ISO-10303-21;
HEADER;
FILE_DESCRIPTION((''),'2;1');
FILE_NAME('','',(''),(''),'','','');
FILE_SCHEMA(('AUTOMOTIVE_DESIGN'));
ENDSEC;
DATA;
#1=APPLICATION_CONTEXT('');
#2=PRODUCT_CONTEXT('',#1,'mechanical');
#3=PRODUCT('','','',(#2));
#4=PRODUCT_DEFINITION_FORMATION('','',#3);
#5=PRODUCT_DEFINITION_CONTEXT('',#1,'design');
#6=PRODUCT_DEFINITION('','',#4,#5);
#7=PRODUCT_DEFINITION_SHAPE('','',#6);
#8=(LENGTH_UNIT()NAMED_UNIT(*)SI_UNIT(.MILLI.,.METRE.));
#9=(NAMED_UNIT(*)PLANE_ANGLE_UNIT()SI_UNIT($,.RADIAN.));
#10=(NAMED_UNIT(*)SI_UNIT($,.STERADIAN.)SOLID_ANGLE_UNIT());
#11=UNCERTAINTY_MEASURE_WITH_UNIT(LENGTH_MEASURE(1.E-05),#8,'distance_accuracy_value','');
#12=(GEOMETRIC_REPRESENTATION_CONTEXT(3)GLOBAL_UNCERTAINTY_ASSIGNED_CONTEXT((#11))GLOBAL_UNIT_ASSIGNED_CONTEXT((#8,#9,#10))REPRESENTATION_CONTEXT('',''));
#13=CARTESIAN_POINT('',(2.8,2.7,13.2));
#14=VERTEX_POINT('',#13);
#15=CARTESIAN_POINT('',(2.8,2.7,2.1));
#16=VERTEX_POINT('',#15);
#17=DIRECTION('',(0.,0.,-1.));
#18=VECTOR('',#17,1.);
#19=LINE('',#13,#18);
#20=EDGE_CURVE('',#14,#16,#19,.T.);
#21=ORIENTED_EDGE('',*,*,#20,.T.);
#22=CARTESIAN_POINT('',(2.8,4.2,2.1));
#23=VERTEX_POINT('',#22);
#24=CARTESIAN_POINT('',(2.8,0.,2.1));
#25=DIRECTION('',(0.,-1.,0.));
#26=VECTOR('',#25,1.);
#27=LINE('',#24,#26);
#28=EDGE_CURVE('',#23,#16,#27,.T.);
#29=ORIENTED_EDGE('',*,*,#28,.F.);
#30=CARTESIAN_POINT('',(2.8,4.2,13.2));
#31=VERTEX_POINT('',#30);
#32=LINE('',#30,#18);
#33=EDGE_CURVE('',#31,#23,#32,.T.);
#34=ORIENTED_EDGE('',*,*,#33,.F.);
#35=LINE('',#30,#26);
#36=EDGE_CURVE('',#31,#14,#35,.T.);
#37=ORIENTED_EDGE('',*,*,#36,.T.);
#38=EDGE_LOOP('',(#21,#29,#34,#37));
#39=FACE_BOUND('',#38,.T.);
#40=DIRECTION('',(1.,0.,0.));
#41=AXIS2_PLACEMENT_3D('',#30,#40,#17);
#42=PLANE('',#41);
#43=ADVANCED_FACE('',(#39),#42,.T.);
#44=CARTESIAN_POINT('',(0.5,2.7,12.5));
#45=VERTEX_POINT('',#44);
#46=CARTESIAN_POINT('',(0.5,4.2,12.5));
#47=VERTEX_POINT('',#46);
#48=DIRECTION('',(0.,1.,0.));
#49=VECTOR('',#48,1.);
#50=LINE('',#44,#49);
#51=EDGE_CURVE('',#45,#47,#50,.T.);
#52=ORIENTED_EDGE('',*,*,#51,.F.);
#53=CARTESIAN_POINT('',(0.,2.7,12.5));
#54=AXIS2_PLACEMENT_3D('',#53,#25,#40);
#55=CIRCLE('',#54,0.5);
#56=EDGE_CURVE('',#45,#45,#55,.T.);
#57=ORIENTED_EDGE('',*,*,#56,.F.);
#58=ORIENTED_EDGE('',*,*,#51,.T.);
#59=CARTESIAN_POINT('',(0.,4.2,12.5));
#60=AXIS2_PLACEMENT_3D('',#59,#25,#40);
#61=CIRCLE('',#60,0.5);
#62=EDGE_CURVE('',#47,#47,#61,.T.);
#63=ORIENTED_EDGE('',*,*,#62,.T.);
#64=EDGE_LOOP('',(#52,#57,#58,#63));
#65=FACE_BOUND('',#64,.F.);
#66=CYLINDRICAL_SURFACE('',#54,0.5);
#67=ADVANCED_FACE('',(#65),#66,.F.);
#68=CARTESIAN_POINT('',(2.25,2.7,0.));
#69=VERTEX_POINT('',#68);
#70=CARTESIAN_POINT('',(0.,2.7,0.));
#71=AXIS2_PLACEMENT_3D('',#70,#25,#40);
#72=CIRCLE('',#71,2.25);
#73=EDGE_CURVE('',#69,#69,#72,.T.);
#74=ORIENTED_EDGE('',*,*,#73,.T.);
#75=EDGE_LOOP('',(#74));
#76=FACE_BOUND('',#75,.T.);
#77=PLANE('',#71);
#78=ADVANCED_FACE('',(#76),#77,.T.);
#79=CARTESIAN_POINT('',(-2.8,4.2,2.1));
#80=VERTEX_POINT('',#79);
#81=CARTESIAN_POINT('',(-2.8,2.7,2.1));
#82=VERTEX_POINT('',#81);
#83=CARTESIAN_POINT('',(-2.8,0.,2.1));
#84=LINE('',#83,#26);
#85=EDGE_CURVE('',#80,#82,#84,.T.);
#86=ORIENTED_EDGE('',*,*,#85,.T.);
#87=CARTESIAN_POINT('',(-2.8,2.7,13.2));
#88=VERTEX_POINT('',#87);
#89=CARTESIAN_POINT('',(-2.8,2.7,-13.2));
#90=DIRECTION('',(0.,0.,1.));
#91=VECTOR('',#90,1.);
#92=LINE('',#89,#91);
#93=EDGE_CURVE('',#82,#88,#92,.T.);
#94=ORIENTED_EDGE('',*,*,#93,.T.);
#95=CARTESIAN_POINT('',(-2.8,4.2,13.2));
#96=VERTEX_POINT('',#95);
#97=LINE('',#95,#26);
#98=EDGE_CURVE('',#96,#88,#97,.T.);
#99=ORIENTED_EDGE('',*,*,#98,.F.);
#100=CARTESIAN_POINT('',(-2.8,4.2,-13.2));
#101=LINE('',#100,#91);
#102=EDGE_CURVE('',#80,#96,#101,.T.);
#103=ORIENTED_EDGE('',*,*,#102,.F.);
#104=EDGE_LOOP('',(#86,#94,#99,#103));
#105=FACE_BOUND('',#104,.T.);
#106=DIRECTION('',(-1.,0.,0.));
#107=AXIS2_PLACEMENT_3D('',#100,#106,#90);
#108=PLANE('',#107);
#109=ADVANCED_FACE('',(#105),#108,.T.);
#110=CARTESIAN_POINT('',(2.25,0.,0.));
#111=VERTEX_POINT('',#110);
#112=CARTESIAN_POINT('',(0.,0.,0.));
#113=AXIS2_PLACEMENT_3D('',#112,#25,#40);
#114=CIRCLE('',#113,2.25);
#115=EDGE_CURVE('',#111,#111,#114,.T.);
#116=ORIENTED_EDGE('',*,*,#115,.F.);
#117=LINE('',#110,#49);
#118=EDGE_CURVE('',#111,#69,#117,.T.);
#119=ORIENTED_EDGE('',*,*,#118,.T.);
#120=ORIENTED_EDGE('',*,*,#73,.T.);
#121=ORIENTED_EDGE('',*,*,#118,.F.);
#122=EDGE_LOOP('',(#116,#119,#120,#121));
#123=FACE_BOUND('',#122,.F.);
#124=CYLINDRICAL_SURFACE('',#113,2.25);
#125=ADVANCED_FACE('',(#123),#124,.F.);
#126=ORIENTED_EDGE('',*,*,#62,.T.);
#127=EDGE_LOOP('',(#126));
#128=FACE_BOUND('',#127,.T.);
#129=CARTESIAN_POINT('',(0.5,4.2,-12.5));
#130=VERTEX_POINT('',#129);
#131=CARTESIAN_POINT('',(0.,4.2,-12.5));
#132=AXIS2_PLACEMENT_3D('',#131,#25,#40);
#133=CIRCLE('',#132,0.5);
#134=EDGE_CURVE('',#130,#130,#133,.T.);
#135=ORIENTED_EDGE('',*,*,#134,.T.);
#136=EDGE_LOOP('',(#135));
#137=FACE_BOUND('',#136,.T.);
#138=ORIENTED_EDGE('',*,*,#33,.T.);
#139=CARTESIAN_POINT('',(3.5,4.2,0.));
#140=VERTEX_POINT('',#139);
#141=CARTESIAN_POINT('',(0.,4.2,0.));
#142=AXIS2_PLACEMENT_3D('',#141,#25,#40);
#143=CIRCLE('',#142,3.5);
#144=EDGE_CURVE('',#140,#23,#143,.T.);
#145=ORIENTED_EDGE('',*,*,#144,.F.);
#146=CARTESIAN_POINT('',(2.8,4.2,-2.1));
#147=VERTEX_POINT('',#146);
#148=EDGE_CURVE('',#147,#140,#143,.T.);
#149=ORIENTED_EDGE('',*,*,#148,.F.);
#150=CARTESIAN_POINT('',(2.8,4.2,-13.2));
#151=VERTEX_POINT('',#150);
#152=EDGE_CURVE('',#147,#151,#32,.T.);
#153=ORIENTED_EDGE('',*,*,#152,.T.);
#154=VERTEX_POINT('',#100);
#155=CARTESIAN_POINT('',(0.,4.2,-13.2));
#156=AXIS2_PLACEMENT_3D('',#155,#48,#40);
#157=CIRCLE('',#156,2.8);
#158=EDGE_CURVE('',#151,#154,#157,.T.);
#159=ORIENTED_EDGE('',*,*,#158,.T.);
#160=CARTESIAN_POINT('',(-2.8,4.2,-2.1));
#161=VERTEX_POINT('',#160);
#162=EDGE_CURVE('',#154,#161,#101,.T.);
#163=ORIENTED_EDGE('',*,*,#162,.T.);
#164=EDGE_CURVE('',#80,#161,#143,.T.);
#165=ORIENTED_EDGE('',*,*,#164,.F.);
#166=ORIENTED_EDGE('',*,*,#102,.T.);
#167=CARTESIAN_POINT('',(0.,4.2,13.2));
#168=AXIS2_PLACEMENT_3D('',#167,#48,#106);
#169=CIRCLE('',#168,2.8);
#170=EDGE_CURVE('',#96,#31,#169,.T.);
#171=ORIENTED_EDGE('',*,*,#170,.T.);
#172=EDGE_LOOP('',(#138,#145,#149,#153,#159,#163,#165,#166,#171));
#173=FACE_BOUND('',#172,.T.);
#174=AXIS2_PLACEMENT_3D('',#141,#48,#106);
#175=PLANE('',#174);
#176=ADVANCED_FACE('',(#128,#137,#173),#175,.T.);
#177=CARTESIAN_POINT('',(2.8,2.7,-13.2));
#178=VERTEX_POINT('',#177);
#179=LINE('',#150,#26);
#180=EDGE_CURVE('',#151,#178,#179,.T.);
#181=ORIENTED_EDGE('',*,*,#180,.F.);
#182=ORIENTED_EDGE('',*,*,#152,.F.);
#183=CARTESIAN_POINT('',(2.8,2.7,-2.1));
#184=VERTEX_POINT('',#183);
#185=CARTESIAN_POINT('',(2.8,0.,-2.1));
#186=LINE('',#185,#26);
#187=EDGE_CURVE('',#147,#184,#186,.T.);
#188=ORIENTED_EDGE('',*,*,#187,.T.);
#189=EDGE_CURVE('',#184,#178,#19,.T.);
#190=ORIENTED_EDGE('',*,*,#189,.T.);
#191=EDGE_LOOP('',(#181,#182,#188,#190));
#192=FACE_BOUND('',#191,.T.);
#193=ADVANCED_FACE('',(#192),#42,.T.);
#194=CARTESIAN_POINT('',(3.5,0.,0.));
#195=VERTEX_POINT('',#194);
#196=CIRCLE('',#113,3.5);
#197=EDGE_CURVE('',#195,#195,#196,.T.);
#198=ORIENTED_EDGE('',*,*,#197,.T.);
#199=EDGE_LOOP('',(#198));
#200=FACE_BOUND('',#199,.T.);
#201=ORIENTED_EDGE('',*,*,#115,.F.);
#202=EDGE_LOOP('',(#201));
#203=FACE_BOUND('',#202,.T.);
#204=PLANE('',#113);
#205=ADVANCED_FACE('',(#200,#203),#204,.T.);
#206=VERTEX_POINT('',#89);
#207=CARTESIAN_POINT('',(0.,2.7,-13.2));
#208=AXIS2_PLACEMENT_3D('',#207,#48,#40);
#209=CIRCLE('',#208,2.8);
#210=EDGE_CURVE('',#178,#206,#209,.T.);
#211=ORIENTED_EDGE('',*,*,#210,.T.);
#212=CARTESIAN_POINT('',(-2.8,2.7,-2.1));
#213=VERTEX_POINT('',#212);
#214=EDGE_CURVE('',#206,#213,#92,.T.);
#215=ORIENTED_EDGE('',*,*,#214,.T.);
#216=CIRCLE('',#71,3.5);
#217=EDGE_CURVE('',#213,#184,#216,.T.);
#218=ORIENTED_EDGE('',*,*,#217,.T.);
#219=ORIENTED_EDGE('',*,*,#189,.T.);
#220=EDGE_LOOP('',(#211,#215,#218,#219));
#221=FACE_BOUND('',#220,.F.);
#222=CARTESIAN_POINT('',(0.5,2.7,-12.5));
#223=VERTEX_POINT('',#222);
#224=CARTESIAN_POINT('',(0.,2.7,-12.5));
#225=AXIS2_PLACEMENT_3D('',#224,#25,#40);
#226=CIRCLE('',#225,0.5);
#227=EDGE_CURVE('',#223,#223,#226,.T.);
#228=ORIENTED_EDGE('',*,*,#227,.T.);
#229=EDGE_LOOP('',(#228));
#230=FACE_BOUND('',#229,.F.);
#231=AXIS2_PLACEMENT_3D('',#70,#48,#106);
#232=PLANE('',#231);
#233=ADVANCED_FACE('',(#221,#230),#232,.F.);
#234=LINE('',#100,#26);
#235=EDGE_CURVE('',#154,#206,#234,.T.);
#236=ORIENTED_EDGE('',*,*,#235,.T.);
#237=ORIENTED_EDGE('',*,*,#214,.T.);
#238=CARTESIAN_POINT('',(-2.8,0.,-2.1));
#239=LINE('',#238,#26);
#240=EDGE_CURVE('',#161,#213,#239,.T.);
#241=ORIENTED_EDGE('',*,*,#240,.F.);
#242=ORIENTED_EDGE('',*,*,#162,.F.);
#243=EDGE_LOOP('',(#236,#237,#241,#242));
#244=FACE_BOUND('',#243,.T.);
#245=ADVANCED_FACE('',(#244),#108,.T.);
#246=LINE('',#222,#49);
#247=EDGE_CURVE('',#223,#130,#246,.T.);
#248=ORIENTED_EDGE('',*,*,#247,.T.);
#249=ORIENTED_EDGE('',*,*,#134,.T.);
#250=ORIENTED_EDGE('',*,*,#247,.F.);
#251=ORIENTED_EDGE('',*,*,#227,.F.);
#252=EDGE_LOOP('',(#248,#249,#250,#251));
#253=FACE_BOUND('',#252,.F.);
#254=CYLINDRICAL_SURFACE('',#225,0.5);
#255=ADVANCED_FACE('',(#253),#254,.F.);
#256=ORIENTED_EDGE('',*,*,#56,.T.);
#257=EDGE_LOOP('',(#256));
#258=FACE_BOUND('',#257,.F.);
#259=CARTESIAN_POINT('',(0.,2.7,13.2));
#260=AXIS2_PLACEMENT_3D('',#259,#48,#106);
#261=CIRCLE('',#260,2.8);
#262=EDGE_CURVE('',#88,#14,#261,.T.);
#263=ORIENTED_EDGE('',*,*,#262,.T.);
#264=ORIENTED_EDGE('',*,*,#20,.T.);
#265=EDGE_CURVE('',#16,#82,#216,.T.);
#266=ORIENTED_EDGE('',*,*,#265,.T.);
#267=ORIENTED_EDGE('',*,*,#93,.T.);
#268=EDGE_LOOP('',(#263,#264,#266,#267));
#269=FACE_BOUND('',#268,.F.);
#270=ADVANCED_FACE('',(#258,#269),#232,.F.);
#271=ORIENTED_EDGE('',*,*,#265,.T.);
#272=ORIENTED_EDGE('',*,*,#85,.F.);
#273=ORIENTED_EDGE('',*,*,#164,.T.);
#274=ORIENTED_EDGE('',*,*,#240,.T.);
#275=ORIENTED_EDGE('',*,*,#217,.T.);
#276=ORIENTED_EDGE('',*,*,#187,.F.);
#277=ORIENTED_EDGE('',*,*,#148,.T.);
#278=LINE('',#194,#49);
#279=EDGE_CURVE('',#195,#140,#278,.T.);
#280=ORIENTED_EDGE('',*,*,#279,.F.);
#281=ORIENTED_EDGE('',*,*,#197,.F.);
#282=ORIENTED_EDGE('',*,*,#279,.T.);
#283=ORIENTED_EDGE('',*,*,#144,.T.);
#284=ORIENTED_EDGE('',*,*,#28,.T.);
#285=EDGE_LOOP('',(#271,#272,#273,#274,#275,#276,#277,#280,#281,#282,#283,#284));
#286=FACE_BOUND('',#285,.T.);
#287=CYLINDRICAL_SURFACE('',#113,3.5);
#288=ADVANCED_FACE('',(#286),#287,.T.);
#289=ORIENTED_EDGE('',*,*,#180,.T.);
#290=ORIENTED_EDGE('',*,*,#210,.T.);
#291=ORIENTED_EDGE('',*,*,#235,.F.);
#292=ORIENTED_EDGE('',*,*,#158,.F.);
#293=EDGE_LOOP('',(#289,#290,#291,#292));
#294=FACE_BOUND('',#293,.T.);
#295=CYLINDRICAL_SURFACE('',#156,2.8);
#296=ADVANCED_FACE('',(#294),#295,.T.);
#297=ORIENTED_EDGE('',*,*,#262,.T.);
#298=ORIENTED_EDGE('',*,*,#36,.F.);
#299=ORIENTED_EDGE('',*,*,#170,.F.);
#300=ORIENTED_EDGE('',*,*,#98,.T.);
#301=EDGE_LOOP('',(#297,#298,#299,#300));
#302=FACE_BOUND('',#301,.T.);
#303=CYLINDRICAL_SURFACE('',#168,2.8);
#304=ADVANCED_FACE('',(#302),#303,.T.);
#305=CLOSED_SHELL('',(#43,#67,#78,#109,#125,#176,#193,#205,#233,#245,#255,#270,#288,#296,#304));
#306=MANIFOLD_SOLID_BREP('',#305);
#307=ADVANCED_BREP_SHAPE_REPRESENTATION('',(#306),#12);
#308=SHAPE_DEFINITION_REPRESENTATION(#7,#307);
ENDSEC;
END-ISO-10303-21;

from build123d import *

# Parameters (mm, degrees)
F0_R     = 3.5
F1_DEPTH = 4.2
F3_DEPTH = 1.5
F4_R     = 0.5
F5_DEPTH = 25
F6_R     = 2.25
F7_DEPTH = 2.7


with BuildPart() as f1:
    # F0 (on Front) → F1 (new body)
    with BuildSketch(Plane.XZ):
        Circle(F0_R)
    extrude(amount=-F1_DEPTH)

    # F2 (on face) → F3 (join)
    with BuildSketch(Plane(origin=(0, 4.2, 0), x_dir=(-1, 0, 0), z_dir=(0, 1, 0))):
        with BuildLine():
            ThreePointArc((2.8, 13.2), (0, 16), (-2.8, 13.2))
            Line((-2.8, 13.2), (-2.8, -13.2))
            ThreePointArc((-2.8, -13.2), (0, -16), (2.8, -13.2))
            Line((2.8, -13.2), (2.8, 13.2))
        make_face()
    extrude(amount=-F3_DEPTH)

    # F4 (on face) → F5 (cut)
    with BuildSketch(Plane.XZ.offset(-2.7)):
        with Locations((0, 12.5)):
            Circle(F4_R)
        with Locations((0, -12.5)):
            Circle(F4_R)
    extrude(amount=-F5_DEPTH, mode=Mode.SUBTRACT)

    # F6 (on face) → F7 (cut)
    with BuildSketch(Plane.XZ):
        Circle(F6_R)
    extrude(amount=-F7_DEPTH, mode=Mode.SUBTRACT)


solid = f1.part
